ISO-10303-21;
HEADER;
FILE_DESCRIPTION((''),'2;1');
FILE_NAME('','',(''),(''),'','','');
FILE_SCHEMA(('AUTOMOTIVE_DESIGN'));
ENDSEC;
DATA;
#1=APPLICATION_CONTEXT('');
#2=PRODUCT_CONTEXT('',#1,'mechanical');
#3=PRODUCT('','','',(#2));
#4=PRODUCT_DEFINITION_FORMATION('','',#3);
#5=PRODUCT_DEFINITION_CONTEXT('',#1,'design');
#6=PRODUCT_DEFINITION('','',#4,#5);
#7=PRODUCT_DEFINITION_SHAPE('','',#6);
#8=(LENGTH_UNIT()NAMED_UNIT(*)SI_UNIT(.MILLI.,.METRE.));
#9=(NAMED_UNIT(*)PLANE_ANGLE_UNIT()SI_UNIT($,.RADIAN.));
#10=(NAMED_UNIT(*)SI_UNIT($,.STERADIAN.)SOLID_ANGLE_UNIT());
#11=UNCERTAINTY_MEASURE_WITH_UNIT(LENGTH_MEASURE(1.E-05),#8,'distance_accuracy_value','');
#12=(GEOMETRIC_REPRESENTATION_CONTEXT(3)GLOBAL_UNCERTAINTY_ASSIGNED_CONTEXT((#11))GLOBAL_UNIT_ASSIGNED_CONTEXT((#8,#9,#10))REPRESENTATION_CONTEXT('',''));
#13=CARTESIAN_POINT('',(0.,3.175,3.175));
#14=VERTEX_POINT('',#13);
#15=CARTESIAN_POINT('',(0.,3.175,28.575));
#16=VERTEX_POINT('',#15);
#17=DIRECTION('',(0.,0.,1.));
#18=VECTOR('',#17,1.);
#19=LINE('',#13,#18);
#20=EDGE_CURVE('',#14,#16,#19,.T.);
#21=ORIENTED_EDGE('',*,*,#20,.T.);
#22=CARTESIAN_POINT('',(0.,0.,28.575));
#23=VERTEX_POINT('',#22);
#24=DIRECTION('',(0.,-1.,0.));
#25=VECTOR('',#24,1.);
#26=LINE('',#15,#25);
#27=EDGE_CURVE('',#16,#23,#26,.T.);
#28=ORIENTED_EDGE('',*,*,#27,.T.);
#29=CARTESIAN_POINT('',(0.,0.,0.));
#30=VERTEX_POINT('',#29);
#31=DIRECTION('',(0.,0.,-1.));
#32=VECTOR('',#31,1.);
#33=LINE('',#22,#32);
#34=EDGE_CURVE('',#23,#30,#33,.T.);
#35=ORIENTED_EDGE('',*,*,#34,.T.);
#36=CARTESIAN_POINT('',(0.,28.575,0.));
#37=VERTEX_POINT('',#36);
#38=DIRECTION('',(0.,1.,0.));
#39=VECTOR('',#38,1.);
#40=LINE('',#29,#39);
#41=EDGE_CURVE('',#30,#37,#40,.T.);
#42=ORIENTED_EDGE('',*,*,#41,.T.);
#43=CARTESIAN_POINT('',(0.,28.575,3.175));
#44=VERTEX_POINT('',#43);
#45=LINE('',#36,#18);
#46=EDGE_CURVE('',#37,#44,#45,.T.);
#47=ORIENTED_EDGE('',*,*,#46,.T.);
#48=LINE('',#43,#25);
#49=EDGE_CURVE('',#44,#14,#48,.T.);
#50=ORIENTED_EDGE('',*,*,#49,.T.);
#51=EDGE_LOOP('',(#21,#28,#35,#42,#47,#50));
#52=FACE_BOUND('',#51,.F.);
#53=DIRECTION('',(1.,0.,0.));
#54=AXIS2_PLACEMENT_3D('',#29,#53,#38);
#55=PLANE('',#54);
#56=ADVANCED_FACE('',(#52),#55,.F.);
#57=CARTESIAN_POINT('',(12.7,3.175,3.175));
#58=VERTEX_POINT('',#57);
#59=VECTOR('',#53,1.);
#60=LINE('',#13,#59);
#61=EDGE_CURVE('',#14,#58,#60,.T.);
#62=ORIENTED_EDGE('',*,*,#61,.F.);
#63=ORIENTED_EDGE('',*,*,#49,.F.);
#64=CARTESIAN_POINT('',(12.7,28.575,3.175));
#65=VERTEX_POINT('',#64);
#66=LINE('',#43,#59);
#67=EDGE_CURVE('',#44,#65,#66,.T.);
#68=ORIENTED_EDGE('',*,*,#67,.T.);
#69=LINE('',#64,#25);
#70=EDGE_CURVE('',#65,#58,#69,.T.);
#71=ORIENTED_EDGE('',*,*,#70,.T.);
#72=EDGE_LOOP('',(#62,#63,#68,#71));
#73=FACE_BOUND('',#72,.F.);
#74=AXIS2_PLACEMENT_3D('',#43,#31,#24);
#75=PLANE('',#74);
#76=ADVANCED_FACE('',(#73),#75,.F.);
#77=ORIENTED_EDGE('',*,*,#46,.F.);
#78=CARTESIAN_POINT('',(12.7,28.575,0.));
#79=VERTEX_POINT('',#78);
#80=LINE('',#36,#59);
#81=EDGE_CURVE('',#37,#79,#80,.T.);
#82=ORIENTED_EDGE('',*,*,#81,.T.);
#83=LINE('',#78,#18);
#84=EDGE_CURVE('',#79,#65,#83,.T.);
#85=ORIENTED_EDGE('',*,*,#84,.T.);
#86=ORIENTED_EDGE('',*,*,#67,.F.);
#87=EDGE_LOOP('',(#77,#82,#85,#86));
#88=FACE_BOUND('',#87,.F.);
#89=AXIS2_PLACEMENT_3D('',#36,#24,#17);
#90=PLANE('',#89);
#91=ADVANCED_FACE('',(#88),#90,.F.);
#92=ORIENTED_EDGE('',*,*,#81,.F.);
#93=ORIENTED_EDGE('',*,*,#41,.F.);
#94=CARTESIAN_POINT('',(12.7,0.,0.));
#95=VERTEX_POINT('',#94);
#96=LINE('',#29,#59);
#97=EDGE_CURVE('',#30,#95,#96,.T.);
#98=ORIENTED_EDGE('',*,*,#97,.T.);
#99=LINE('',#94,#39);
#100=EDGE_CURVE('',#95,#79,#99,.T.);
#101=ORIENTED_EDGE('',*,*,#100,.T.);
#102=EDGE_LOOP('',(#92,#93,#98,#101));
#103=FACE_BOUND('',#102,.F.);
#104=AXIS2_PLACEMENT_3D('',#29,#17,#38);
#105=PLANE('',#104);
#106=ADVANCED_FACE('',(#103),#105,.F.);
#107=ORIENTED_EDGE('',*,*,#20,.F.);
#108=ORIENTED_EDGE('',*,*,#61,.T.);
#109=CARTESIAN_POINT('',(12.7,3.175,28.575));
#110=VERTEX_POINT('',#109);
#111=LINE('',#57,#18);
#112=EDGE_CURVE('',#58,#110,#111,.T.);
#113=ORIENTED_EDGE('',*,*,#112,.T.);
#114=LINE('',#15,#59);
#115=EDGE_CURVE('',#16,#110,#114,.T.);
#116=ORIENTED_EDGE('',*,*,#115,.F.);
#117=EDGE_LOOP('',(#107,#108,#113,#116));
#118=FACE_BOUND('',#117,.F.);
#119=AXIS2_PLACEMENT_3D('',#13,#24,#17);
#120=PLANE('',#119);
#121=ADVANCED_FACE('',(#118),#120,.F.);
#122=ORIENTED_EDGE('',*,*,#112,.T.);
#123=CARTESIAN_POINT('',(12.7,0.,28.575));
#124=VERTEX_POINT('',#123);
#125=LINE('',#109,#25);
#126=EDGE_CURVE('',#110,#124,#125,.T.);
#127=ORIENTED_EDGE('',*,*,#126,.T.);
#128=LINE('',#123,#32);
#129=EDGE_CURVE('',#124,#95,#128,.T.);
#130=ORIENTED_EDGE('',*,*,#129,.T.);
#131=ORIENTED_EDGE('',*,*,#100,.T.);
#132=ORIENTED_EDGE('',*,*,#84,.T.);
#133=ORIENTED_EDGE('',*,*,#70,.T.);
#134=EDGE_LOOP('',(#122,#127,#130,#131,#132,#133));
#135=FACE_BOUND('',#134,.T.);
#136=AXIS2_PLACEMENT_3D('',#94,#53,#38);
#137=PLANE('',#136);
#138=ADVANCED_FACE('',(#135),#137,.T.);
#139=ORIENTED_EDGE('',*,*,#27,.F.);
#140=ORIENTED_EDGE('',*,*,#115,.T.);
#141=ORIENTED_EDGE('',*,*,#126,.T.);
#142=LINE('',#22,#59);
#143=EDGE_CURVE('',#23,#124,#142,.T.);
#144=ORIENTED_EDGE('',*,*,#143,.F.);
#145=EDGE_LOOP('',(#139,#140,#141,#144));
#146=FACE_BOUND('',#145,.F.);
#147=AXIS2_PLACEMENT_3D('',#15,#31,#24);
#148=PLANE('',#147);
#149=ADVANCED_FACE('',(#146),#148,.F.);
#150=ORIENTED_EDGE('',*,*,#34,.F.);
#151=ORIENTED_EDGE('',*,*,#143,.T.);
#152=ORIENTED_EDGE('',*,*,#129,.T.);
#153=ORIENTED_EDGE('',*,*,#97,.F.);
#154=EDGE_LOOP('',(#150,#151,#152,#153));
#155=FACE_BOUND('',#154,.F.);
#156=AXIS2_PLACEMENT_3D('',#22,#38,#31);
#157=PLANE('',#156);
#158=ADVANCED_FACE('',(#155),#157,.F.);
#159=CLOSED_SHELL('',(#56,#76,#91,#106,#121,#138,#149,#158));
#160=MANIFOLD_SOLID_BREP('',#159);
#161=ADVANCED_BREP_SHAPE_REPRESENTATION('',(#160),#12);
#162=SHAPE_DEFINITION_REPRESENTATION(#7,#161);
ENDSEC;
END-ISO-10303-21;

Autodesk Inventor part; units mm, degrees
ref_plane "YZ Plane" through (0, 0, 0) normal (1, 0, 0) x (0, 1, 0)
ref_plane "XZ Plane" through (0, 0, 0) normal (0, 1, 0) x (-1, 0, 0)
ref_plane "XY Plane" through (0, 0, 0) normal (0, 0, 1) x (1, 0, 0)
sketch "Sketch1" plane through (0, 0, 0) normal (1, 0, 0) x (0, 1, 0)
  line L0 (0, 0) -> (28.575, 0)
  line L1 (28.575, 0) -> (28.575, 3.175)
  line L2 (28.575, 3.175) -> (3.175, 3.175)
  line L3 (3.175, 3.175) -> (3.175, 28.575)
  line L4 (3.175, 28.575) -> (0, 28.575)
  line L5 (0, 28.575) -> (0, 0)
  dimension "d0" = 25.4
  dimension "d1" = 28.575
  dimension "d2" = 3.175
  dimension "d3" = 25.4
extrude "Extrusion1" add sketch "Sketch1" along normal blind 12.7
properties part number "Bracket"
